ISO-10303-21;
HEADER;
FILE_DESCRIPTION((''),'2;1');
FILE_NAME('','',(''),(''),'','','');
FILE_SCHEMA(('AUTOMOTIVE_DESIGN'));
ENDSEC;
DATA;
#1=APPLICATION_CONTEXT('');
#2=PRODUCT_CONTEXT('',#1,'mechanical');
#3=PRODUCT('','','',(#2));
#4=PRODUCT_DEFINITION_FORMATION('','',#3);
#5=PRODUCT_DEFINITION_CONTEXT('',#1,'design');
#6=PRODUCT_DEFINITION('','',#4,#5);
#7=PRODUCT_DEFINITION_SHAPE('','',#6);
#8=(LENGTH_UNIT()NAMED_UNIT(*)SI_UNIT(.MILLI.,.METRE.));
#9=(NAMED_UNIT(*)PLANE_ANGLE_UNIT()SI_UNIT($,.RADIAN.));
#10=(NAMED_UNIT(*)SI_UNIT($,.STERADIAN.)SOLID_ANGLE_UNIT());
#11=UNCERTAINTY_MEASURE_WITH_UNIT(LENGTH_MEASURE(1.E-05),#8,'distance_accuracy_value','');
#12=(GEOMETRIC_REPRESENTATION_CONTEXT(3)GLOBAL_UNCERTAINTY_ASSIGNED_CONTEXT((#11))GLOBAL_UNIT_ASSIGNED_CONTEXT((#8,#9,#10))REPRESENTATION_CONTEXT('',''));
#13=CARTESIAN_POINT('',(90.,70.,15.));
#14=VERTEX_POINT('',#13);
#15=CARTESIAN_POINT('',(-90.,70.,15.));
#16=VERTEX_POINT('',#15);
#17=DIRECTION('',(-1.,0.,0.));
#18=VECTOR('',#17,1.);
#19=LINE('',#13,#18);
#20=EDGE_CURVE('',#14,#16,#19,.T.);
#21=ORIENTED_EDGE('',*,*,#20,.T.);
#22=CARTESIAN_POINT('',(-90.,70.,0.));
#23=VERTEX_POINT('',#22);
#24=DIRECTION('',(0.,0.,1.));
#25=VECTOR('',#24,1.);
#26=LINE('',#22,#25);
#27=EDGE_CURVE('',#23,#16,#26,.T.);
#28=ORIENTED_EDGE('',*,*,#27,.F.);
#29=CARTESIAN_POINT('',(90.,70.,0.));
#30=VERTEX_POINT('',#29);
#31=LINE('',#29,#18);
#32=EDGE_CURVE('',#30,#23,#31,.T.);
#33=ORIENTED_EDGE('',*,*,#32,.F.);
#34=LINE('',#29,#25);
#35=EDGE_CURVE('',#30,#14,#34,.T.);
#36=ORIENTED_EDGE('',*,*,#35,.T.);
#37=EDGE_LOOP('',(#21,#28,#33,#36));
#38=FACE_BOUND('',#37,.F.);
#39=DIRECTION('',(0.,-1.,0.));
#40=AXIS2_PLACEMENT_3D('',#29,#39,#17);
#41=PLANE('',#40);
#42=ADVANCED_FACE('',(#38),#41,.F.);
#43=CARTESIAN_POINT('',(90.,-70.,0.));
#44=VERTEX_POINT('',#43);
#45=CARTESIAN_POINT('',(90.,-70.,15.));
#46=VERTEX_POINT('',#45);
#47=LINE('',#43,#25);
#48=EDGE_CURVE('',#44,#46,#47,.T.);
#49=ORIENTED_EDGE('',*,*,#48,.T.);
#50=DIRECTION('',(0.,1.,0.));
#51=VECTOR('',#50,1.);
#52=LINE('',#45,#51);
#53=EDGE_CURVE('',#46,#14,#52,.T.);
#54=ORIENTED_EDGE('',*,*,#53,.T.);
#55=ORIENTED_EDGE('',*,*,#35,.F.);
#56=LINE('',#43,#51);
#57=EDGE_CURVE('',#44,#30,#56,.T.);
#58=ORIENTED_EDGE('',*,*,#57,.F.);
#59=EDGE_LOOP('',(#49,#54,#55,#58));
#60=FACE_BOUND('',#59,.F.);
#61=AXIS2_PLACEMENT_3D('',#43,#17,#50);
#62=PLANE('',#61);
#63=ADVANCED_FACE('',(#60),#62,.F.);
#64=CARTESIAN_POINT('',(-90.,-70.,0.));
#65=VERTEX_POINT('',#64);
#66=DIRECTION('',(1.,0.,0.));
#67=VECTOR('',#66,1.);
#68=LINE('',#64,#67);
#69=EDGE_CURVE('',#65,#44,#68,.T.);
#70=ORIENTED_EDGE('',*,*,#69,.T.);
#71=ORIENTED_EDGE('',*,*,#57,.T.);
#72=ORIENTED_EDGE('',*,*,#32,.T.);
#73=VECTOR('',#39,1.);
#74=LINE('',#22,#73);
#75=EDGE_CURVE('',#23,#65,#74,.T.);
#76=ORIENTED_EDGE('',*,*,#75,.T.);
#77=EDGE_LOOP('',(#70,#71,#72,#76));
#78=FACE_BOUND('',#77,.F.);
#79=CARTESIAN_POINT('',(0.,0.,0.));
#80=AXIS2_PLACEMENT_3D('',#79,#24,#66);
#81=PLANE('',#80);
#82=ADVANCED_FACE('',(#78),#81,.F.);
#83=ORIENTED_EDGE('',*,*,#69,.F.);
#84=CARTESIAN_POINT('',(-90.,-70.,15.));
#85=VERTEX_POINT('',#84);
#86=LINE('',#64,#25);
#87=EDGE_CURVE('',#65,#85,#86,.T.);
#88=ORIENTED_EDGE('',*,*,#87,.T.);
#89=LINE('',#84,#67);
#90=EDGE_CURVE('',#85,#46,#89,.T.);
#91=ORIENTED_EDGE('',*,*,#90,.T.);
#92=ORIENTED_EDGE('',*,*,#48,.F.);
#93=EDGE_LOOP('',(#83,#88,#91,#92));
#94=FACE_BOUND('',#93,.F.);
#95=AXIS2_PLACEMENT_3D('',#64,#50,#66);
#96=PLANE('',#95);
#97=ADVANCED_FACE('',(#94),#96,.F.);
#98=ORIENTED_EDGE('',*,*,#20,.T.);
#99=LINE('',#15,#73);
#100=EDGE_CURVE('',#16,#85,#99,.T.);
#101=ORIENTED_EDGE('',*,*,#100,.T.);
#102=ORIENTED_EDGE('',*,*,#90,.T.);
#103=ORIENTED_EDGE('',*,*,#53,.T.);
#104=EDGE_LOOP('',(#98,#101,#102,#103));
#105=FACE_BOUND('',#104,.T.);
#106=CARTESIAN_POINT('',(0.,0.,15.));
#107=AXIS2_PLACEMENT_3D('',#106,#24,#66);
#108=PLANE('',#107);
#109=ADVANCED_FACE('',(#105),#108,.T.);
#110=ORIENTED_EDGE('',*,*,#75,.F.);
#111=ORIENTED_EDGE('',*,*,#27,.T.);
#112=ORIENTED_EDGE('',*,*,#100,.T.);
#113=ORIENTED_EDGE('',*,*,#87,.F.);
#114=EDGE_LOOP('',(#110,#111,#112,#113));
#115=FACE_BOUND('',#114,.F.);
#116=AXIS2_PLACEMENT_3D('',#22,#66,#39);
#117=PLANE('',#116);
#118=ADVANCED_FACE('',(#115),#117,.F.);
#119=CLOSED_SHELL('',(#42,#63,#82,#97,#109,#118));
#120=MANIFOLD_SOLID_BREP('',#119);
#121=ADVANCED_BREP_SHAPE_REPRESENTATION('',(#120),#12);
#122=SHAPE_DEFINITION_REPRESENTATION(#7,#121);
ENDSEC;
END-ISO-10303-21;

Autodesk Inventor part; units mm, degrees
ref_plane "YZ Plane" through (0, 0, 0) normal (1, 0, 0) x (0, 1, 0)
ref_plane "XZ Plane" through (0, 0, 0) normal (0, 1, 0) x (-1, 0, 0)
ref_plane "XY Plane" through (0, 0, 0) normal (0, 0, 1) x (1, 0, 0)
sketch "Sketch1" plane through (0, 0, 0) normal (0, 0, 1) x (1, 0, 0)
  line L0 (-90, -70) -> (90, -70)
  line L1 (90, -70) -> (90, 70)
  line L2 (90, 70) -> (-90, 70)
  line L3 (-90, 70) -> (-90, -70)
  line L4 (-90, -70) -> (90, 70) construction
  line L5 (90, -70) -> (-90, 70) construction
  point P0 (0, 0)
  dimension "d0" = 180
  dimension "d1" = 140
extrude "Extrusion1" add sketch "Sketch1" along normal blind 15
properties part number "JBD-BMS16-20s"
